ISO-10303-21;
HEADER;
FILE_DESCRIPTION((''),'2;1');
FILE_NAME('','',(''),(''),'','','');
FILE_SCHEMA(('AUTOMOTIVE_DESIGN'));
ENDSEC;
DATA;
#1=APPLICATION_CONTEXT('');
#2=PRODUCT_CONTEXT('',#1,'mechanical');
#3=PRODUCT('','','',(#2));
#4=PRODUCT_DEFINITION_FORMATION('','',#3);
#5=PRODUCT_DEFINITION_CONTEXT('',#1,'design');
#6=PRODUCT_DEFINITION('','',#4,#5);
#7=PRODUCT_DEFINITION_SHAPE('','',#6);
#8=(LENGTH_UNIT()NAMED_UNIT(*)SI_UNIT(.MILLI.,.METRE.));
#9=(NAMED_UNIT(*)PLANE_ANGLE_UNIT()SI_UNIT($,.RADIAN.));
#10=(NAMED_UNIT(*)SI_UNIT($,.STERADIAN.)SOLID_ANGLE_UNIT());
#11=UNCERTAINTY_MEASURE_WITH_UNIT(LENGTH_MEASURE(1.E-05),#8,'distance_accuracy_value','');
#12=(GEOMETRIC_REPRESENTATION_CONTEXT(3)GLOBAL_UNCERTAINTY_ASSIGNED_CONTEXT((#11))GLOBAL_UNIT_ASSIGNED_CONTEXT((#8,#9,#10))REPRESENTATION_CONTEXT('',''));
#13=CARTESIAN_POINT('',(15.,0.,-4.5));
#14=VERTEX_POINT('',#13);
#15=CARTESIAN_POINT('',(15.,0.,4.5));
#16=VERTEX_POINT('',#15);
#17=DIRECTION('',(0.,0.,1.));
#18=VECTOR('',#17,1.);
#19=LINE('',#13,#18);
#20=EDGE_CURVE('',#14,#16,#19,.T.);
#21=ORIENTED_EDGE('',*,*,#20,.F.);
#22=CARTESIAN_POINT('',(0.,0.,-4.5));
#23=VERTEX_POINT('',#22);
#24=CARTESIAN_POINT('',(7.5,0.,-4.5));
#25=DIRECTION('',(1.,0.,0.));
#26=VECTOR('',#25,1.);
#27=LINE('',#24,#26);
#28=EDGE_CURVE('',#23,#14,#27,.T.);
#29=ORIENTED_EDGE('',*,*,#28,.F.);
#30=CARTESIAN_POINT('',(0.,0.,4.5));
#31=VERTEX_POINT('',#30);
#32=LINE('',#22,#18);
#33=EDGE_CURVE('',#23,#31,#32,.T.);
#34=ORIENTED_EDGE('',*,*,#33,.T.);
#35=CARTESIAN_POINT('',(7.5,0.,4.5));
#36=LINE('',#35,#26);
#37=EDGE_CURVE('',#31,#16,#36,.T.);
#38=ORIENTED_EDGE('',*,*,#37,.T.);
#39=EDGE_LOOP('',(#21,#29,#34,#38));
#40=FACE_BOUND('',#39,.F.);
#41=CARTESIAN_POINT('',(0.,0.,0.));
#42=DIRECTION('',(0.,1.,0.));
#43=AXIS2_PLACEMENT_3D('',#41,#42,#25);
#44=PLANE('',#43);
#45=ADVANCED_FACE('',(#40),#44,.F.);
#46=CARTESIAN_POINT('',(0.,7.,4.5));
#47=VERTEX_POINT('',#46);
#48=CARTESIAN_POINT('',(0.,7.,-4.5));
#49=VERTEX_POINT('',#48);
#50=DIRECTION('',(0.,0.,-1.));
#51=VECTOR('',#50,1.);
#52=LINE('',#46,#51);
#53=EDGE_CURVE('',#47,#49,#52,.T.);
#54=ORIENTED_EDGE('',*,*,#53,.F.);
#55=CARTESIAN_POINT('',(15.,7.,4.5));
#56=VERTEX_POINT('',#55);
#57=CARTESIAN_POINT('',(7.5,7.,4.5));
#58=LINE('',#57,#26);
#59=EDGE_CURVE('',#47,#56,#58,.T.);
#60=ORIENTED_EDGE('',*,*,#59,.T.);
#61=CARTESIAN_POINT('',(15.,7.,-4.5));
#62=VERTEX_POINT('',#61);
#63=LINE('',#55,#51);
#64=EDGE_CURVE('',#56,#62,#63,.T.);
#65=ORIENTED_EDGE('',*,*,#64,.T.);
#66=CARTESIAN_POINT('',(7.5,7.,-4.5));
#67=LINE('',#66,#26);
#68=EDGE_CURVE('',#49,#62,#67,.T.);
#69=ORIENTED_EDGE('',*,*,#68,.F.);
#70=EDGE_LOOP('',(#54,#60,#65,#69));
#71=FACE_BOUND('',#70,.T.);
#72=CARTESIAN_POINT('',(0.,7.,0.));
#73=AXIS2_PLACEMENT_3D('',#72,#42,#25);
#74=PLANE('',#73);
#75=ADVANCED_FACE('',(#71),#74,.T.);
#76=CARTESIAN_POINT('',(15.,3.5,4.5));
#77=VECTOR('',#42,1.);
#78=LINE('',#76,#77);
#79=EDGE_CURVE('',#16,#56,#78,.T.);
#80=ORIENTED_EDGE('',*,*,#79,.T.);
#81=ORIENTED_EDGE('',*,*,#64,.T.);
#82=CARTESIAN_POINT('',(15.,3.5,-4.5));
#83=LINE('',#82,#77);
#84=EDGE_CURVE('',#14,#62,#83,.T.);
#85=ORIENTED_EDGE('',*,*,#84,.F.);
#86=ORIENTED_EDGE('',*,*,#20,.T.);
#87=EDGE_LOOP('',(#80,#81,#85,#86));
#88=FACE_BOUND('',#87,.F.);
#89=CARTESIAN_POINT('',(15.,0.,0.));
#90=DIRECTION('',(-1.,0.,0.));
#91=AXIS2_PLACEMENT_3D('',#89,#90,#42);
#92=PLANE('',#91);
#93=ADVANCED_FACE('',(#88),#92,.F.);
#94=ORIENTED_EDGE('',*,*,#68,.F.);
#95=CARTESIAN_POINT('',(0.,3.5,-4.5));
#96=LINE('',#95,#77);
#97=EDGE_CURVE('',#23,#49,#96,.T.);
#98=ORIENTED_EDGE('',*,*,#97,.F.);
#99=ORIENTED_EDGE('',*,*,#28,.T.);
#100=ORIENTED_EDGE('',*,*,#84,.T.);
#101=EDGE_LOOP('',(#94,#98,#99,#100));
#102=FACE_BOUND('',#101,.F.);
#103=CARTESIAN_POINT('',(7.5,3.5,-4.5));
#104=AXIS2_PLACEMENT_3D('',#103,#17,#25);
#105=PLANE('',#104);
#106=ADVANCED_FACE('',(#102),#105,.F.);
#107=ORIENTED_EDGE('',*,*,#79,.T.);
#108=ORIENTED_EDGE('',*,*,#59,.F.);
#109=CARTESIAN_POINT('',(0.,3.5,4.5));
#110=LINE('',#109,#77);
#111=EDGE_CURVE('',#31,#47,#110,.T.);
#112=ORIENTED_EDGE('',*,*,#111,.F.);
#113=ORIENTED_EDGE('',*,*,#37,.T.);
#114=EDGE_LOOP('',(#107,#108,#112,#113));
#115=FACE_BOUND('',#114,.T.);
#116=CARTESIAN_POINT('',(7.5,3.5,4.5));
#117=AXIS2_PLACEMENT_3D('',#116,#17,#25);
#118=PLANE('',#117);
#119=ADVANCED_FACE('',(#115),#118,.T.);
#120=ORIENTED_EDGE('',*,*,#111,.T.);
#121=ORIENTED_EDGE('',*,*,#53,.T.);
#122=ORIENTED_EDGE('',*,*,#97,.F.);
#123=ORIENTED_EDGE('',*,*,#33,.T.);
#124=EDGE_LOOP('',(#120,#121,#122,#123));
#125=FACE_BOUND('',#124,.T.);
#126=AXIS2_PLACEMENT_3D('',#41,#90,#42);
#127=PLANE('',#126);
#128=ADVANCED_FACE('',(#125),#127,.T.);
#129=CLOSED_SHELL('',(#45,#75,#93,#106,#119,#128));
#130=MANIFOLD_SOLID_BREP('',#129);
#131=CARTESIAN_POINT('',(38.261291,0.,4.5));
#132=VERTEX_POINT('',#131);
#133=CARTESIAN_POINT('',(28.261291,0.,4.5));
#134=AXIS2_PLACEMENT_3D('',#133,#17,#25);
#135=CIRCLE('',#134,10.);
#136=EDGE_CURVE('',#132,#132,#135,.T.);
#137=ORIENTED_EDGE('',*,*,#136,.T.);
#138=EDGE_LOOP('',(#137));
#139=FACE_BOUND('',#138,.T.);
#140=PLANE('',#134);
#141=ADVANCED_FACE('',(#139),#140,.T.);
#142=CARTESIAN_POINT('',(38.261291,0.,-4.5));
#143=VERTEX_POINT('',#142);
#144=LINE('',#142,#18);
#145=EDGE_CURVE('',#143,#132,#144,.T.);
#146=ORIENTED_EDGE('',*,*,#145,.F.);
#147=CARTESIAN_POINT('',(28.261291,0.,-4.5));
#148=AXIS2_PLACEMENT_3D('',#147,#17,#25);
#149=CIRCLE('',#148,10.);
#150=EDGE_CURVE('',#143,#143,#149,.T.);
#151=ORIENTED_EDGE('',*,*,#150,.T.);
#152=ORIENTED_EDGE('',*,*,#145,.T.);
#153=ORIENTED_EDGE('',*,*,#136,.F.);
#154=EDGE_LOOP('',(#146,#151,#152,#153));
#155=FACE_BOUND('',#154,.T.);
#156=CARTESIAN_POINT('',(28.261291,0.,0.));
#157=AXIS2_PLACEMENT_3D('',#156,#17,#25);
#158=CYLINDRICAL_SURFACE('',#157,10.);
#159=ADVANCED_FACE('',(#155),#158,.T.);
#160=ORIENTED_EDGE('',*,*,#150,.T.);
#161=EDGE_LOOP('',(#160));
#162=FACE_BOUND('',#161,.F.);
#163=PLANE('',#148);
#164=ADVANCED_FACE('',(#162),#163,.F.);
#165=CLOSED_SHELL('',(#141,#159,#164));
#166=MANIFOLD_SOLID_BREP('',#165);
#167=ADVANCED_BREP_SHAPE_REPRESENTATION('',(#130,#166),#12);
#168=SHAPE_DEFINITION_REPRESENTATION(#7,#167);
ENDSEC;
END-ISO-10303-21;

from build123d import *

# Parameters (mm, degrees)
F0_W     = 15
F0_H     = 7
F0_R     = 10
F1_DEPTH = 4.5


with BuildPart() as f1:
    # F0 (on Top) → F1 (new body, symmetric)
    with BuildSketch(Plane.XY):
        with Locations((7.5, 3.5)):
            Rectangle(F0_W, F0_H)
        with Locations((28.261291, 0)):
            Circle(F0_R)
    extrude(amount=F1_DEPTH, both=True)


solid = f1.part
